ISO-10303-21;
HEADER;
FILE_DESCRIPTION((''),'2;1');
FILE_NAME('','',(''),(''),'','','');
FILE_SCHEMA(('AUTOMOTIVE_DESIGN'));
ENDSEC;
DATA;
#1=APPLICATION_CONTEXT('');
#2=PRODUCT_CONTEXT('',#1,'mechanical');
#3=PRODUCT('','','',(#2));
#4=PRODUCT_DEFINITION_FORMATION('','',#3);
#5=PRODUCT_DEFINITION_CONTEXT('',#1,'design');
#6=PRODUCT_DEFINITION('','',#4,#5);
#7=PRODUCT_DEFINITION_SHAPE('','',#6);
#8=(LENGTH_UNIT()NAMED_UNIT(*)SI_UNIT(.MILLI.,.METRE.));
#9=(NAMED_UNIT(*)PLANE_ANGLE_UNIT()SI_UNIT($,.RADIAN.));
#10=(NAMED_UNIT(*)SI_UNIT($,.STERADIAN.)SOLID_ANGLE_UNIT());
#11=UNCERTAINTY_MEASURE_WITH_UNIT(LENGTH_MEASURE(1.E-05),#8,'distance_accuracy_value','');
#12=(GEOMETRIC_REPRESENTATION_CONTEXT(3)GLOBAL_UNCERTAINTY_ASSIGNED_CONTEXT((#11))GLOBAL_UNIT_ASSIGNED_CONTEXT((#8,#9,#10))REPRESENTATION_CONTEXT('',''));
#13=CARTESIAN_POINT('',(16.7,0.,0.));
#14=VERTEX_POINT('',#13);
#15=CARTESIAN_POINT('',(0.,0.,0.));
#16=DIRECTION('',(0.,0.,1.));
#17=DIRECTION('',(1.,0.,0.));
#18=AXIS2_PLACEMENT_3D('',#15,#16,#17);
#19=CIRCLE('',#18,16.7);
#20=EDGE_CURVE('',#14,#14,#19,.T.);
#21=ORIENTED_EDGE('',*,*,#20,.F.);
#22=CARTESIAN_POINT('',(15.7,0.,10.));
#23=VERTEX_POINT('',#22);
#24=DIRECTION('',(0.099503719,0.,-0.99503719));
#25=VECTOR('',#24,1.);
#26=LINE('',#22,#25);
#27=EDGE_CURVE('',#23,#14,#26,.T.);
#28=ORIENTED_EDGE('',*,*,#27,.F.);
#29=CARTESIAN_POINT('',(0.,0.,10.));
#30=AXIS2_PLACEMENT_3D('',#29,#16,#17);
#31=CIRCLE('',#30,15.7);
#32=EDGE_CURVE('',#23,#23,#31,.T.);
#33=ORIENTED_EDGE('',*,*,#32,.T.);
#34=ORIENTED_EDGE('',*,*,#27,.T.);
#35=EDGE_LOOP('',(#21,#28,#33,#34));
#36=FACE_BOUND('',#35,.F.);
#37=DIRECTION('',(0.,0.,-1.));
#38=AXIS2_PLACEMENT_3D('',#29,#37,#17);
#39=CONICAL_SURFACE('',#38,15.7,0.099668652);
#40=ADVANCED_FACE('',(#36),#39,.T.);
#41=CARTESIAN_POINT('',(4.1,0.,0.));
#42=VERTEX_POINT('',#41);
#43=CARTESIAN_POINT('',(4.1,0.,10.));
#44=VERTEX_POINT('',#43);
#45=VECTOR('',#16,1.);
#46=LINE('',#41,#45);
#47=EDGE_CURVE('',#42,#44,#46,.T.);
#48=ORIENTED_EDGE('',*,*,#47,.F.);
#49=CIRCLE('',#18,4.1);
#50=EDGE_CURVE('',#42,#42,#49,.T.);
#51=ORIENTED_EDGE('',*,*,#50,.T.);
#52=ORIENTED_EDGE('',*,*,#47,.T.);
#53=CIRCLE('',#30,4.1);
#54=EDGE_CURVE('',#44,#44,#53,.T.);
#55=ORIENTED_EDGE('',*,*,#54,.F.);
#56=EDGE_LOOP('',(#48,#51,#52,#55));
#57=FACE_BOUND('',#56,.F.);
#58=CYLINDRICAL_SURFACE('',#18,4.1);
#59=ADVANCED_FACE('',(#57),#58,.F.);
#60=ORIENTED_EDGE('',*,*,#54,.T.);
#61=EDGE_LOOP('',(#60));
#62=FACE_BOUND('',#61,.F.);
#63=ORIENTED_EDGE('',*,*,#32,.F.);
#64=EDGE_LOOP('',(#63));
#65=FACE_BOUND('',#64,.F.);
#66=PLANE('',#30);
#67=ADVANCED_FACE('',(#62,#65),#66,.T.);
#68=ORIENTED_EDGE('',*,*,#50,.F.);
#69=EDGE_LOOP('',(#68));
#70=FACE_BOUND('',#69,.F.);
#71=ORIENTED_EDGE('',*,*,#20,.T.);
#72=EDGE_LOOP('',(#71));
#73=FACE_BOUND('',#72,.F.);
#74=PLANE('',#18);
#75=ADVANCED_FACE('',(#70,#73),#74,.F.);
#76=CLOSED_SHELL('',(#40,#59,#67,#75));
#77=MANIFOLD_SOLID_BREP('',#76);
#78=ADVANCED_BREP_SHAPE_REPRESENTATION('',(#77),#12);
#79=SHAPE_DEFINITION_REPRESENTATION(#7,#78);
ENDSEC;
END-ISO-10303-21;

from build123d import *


with BuildPart() as part:
    # Sketch → Revolution (revolve)
    with BuildSketch(Plane.XZ):
        Polygon((4.1, 0), (4.1, 10), (15.7, 10), (16.7, 0), align=None)
    revolve(axis=Axis((0, 0, 0), (0, 0, 1)))


solid = part.part
